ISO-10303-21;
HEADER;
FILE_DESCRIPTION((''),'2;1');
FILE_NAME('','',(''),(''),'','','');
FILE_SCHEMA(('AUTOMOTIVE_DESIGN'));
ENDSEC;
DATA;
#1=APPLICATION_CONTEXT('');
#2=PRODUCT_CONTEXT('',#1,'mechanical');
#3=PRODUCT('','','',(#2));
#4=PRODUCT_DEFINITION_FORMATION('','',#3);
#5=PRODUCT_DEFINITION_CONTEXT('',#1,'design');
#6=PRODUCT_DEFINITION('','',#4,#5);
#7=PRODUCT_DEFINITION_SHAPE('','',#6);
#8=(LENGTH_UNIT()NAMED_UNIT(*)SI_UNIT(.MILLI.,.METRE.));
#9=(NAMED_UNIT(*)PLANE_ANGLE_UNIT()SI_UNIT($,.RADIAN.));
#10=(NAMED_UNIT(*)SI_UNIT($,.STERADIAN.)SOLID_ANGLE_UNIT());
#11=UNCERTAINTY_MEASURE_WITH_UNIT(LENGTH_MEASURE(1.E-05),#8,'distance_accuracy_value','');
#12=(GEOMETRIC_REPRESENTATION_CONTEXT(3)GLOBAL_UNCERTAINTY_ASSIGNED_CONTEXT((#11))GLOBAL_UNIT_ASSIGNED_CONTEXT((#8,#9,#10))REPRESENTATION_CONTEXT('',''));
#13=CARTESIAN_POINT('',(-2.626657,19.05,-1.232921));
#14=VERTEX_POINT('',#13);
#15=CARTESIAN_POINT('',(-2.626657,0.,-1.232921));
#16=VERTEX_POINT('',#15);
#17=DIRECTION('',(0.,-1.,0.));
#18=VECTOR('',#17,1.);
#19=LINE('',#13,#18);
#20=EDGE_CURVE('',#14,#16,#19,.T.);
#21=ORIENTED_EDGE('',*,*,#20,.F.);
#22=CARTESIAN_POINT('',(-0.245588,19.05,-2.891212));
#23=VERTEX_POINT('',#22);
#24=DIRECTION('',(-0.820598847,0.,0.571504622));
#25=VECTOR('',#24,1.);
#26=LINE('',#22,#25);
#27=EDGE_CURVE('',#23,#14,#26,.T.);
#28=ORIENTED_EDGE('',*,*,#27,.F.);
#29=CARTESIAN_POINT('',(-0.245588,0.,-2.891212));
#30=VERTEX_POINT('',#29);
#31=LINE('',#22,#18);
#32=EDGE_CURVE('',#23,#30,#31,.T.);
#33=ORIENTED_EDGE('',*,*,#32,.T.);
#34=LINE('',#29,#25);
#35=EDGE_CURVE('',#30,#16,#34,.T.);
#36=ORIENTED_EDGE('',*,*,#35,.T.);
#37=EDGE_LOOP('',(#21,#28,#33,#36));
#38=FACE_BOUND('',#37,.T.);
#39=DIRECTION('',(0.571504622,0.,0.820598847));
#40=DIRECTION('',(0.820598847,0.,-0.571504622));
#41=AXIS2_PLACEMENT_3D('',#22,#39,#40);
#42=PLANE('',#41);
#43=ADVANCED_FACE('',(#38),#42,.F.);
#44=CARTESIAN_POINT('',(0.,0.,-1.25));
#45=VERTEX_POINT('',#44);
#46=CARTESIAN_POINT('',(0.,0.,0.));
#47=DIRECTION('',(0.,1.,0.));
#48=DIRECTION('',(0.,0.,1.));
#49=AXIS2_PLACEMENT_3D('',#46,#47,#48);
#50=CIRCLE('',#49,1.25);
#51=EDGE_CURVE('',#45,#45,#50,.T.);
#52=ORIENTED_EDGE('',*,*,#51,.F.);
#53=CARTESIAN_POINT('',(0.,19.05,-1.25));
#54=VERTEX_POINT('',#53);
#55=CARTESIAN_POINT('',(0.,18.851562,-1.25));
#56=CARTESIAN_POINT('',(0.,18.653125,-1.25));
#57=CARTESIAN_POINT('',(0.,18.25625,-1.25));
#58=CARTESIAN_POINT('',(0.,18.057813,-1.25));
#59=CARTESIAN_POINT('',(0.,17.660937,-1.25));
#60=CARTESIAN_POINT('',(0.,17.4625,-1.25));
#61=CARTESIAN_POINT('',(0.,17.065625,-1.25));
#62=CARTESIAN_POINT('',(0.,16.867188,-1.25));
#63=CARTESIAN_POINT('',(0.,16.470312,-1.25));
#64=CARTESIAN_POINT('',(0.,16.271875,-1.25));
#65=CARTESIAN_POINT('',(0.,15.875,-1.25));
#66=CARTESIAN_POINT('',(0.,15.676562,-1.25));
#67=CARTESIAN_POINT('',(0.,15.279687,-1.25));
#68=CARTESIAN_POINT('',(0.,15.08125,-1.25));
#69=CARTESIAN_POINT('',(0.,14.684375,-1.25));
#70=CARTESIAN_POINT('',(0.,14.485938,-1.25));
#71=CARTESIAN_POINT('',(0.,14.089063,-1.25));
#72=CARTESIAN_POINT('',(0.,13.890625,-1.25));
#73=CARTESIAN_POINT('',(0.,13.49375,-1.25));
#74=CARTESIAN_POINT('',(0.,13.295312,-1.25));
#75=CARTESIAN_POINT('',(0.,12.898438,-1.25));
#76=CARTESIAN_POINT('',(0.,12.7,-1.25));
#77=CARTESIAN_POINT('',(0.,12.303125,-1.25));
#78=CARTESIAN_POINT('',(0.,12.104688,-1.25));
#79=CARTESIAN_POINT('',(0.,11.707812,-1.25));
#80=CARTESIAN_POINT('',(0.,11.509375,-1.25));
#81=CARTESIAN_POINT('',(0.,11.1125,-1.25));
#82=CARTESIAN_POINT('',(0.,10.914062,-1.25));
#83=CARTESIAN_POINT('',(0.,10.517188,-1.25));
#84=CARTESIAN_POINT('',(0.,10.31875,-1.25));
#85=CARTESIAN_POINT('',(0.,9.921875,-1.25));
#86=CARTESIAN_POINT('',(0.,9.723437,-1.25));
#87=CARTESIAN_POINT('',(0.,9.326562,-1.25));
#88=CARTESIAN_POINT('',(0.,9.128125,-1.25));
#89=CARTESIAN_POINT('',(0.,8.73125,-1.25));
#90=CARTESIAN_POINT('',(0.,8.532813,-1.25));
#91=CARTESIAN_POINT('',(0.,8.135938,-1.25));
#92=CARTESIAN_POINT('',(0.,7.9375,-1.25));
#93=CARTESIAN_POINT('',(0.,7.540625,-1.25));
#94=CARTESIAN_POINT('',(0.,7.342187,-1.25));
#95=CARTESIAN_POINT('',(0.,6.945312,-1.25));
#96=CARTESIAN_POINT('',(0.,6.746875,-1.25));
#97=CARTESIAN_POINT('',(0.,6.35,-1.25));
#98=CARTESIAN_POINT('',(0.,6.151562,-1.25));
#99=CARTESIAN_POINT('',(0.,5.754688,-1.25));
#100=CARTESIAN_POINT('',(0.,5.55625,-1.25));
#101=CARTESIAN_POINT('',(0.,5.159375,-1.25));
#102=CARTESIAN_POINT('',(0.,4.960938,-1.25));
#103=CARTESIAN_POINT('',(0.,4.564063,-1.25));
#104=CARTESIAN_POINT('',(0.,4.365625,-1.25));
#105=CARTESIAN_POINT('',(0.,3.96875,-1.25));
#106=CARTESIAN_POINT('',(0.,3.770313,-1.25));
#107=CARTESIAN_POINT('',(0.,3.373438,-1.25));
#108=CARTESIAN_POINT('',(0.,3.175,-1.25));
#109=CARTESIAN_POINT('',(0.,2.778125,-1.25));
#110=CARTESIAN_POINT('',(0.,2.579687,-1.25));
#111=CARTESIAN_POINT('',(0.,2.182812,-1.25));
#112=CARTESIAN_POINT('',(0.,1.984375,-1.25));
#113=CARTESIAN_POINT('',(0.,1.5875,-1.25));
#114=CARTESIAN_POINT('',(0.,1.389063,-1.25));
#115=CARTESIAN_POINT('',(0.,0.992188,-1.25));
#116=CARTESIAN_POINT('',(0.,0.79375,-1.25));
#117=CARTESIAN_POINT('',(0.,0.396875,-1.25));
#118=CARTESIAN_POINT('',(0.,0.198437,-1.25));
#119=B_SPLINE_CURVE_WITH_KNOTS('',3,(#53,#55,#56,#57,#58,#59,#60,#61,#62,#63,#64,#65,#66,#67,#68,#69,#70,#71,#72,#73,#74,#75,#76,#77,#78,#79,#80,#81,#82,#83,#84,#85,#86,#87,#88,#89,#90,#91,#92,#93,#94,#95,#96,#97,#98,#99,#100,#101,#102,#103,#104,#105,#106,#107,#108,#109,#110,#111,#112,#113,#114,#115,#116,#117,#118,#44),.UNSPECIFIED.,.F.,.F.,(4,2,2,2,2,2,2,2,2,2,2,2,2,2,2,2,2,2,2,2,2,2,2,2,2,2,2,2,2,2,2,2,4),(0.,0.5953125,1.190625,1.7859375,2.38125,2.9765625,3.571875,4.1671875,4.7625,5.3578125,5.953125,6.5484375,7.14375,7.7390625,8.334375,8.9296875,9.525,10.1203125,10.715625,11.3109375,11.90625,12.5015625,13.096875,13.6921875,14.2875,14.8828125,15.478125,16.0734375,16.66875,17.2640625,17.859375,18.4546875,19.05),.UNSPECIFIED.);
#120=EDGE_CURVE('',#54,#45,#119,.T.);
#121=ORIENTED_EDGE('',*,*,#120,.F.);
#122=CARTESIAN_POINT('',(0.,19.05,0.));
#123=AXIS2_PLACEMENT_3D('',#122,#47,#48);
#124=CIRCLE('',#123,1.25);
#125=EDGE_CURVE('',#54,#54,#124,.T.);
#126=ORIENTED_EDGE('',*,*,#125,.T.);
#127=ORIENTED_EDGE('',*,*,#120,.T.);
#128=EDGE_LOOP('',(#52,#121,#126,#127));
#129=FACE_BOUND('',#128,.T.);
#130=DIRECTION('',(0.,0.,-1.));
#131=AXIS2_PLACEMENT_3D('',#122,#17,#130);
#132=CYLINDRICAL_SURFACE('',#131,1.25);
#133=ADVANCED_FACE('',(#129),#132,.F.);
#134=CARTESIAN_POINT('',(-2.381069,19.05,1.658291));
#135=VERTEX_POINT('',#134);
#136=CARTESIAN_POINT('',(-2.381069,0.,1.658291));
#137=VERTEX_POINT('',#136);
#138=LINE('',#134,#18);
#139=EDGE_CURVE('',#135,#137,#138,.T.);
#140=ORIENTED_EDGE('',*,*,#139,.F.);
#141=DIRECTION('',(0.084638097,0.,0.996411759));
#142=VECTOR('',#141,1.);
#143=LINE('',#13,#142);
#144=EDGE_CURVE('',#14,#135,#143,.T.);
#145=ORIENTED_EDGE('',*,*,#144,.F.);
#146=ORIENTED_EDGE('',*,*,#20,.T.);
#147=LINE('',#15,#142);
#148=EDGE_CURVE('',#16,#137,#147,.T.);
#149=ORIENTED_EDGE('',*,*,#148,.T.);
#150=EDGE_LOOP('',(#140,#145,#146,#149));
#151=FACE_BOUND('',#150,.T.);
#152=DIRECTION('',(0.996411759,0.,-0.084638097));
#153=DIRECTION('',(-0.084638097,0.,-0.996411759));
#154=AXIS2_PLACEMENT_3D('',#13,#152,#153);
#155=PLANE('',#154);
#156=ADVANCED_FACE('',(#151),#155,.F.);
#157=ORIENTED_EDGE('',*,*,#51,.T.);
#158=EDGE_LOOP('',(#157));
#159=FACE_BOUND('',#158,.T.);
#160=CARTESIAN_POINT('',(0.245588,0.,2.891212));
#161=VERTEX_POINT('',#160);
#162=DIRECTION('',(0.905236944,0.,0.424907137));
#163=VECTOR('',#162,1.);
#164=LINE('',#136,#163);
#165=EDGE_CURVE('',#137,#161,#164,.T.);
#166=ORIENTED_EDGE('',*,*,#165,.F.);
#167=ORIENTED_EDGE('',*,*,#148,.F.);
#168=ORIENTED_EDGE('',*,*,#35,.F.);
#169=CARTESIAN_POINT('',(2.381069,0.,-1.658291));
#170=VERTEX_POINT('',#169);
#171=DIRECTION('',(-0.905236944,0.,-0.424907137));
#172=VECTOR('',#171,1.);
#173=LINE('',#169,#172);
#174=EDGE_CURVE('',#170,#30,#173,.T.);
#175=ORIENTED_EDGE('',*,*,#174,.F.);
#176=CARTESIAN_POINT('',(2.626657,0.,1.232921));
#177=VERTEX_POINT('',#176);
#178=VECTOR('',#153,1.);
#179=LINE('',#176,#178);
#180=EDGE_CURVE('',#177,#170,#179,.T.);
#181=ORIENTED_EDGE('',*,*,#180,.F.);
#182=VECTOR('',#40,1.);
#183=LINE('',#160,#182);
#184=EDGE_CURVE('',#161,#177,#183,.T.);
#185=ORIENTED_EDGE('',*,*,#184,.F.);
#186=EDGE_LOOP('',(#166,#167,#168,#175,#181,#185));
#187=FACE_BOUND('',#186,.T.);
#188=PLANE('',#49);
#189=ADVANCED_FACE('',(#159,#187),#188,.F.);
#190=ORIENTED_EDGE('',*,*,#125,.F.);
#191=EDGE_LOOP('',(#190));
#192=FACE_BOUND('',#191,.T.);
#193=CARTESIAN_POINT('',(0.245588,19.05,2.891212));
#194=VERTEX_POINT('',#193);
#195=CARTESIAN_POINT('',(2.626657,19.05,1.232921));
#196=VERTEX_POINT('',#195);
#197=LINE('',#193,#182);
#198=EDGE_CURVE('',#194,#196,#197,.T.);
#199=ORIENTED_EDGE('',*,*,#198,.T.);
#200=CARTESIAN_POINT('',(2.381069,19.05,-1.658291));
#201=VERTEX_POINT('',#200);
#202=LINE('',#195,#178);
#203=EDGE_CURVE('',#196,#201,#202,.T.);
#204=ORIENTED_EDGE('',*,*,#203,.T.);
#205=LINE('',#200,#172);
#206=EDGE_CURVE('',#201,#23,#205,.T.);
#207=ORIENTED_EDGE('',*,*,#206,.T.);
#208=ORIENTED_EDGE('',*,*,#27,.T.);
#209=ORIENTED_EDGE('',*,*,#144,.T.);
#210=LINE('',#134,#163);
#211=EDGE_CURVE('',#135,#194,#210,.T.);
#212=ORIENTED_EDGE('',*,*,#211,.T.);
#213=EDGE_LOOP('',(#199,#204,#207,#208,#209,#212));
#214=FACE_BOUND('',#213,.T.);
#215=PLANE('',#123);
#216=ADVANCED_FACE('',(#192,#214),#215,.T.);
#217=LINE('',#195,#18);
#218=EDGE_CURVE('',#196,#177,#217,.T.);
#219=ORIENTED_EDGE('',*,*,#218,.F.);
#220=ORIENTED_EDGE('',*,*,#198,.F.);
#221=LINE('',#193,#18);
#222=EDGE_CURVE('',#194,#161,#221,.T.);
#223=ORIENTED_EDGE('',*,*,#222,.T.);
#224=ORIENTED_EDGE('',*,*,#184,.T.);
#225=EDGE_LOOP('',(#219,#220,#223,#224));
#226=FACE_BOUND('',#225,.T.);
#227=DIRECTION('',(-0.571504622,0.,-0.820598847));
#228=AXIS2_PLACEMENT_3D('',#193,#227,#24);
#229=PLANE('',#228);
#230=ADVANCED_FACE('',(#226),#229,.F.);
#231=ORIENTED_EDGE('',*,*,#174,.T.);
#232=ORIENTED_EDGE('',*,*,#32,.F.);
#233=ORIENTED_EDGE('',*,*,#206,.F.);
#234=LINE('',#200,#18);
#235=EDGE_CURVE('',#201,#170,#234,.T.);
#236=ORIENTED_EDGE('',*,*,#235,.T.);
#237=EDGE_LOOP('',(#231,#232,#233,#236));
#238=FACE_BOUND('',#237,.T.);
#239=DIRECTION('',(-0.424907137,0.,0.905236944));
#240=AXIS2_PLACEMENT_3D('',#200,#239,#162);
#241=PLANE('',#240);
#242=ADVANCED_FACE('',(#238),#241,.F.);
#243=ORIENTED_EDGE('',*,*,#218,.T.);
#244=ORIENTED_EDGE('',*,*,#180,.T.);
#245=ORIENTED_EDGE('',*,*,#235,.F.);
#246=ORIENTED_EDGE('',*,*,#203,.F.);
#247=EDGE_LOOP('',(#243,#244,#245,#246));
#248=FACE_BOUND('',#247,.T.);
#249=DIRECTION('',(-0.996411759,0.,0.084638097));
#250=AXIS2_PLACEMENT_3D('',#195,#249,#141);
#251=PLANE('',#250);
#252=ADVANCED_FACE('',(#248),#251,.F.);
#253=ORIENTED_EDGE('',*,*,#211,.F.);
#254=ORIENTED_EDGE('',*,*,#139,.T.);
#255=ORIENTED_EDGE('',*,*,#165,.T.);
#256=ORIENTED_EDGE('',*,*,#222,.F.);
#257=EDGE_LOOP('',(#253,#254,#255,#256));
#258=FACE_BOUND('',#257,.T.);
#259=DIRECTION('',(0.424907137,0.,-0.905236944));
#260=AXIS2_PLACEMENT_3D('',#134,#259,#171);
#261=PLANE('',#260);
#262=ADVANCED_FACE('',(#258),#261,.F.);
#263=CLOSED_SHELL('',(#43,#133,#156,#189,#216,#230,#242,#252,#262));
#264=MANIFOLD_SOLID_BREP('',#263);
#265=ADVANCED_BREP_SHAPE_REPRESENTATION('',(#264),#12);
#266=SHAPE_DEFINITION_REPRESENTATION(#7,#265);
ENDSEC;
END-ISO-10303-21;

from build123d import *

# Parameters (mm, degrees)
SKETCH1_R           = 1.25
BOSS_EXTRUDE1_DEPTH = 19.05


with BuildPart() as part:
    # Sketch1 → Boss-Extrude1 (new body)
    with BuildSketch(Plane(origin=(0, 0, 0), x_dir=(1, 0, 0), z_dir=(0, 1, 0))):
        Polygon((2.626656848, -1.232920562), (2.381068951, 1.658291277), (-0.245587897, 2.891211839), (-2.626656848, 1.232920562), (-2.381068951, -1.658291277), (0.245587897, -2.891211839), align=None)
        Circle(SKETCH1_R, mode=Mode.SUBTRACT)
    extrude(amount=BOSS_EXTRUDE1_DEPTH)


solid = part.part
